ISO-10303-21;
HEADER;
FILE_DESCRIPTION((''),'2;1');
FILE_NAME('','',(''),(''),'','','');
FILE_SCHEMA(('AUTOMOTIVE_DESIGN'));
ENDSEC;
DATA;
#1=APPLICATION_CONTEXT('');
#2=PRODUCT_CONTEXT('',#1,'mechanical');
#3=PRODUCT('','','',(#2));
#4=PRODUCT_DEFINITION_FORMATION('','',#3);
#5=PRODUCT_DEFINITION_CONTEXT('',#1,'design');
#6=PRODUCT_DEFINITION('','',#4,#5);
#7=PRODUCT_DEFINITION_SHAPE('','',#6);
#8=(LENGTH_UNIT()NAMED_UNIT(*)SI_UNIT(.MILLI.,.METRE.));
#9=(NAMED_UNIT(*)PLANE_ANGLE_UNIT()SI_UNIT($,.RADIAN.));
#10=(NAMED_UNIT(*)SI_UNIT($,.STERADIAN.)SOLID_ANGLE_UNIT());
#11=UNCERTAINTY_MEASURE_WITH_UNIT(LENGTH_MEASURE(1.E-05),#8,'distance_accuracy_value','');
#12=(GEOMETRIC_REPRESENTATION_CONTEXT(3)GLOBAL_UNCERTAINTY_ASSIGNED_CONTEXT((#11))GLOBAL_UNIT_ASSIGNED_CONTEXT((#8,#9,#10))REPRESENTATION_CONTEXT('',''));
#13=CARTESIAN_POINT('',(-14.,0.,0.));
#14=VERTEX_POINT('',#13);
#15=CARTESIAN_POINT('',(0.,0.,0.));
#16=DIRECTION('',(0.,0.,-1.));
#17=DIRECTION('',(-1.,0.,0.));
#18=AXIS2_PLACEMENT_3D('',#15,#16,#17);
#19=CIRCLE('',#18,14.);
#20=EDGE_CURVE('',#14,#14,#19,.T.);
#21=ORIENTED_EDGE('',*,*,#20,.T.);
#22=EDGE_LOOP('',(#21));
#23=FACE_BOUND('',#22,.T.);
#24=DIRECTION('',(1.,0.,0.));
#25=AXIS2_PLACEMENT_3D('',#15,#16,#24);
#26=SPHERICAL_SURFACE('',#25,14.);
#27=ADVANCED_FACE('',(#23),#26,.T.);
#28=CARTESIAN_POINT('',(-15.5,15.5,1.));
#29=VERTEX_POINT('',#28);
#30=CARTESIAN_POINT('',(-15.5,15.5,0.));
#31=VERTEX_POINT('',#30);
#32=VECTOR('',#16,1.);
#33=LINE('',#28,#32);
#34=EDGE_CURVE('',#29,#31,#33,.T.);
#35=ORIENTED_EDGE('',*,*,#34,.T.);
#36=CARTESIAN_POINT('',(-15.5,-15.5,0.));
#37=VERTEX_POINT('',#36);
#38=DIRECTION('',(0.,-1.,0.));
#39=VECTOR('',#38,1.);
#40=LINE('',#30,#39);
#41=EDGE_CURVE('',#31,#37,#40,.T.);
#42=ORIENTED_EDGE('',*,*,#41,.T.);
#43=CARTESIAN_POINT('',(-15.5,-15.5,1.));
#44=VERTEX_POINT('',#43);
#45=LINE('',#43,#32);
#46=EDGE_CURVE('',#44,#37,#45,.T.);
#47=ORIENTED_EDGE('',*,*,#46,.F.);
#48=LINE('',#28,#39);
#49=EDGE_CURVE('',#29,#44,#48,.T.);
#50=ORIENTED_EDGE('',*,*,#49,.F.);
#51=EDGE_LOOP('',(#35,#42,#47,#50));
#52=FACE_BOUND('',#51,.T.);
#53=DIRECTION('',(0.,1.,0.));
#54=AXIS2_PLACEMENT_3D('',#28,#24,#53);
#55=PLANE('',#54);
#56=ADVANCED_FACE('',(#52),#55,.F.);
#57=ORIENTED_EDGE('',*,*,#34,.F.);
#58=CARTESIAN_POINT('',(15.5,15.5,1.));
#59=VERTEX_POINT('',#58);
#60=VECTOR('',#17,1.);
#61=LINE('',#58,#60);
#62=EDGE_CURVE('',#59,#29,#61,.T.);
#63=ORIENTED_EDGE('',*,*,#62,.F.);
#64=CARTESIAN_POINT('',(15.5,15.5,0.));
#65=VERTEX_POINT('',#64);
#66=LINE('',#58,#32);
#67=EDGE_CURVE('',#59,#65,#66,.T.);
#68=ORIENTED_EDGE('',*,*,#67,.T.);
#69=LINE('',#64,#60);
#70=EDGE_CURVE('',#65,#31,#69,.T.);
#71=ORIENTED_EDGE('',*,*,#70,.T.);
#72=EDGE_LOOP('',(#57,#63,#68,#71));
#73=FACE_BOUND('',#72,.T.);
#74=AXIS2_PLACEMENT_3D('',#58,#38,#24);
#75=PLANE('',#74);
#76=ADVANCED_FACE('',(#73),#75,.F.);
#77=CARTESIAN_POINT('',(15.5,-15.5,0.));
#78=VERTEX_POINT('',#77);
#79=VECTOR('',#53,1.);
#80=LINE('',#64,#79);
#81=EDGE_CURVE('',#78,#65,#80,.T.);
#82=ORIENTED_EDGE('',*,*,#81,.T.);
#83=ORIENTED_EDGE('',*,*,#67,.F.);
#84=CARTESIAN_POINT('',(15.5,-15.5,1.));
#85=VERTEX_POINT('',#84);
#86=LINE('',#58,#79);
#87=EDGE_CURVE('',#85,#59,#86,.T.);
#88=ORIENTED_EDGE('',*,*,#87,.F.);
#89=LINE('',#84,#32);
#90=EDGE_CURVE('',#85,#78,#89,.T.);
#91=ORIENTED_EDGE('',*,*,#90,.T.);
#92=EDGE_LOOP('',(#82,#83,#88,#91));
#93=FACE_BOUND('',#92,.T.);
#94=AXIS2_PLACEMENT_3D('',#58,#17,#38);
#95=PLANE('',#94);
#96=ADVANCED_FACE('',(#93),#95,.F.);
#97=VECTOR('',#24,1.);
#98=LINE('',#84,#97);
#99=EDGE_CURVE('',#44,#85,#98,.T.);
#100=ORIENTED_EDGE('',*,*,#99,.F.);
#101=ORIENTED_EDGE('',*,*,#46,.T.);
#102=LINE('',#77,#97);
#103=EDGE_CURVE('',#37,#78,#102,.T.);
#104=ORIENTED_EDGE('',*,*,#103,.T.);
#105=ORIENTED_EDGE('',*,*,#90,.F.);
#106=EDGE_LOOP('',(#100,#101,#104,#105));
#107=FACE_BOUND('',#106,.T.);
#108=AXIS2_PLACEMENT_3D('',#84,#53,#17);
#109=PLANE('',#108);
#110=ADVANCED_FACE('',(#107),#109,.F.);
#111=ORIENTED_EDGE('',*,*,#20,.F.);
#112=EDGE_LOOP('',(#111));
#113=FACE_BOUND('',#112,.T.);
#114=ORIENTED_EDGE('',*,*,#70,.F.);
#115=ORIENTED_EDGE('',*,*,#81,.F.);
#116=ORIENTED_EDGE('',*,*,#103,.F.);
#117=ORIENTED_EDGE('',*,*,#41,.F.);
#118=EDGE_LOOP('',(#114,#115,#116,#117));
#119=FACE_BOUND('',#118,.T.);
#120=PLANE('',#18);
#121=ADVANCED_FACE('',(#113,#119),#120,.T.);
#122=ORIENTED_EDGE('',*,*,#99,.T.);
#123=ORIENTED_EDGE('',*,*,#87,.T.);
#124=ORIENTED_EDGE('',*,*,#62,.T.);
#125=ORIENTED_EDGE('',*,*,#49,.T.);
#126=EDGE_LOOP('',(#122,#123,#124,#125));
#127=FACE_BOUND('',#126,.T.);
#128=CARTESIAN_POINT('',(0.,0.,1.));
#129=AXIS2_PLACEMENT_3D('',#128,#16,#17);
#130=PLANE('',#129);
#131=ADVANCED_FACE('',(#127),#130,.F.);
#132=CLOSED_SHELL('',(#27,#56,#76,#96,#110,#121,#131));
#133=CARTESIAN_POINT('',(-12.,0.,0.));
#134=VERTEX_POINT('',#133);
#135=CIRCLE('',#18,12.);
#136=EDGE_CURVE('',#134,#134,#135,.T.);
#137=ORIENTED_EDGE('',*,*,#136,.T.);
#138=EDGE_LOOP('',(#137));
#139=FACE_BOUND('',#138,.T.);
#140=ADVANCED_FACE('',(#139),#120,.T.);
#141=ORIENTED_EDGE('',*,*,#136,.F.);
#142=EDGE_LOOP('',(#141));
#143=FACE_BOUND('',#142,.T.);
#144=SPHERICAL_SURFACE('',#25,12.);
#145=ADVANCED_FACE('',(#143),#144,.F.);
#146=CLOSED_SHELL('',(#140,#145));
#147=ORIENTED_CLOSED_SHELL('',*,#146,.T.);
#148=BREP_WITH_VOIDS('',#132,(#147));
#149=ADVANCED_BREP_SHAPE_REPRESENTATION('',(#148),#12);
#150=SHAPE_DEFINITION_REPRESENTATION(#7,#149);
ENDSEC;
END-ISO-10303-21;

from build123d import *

# Parameters (mm, degrees)
SHELL1_T            = -2
SKETCH3_W           = 31
SKETCH3_H           = 31
BOSS_EXTRUDE1_DEPTH = 1


with BuildPart() as part:
    # Sketch1 → Revolve1 (revolve)
    with BuildSketch(Plane(origin=(0, 0, 0), x_dir=(1, 0, 0), z_dir=(0, 1, 0))):
        with BuildLine():
            Line((0, 14), (0, 0))
            Line((0, 0), (14, 0))
            ThreePointArc((14, 0), (9.899494937, 9.899494937), (0, 14))
        make_face()
    revolve(axis=Axis((0, 0, -14), (0, 0, 1)))

    # Shell1
    shell1_openings = [part.faces().sort_by_distance(p)[0] for p in [
        (0, 0, 0),
    ]]
    offset(amount=SHELL1_T, openings=shell1_openings, kind=Kind.INTERSECTION)

    # Sketch3 → Boss-Extrude1 (add)
    with BuildSketch(Plane.XY):
        Rectangle(SKETCH3_W, SKETCH3_H)
    extrude(amount=BOSS_EXTRUDE1_DEPTH)


solid = part.part
